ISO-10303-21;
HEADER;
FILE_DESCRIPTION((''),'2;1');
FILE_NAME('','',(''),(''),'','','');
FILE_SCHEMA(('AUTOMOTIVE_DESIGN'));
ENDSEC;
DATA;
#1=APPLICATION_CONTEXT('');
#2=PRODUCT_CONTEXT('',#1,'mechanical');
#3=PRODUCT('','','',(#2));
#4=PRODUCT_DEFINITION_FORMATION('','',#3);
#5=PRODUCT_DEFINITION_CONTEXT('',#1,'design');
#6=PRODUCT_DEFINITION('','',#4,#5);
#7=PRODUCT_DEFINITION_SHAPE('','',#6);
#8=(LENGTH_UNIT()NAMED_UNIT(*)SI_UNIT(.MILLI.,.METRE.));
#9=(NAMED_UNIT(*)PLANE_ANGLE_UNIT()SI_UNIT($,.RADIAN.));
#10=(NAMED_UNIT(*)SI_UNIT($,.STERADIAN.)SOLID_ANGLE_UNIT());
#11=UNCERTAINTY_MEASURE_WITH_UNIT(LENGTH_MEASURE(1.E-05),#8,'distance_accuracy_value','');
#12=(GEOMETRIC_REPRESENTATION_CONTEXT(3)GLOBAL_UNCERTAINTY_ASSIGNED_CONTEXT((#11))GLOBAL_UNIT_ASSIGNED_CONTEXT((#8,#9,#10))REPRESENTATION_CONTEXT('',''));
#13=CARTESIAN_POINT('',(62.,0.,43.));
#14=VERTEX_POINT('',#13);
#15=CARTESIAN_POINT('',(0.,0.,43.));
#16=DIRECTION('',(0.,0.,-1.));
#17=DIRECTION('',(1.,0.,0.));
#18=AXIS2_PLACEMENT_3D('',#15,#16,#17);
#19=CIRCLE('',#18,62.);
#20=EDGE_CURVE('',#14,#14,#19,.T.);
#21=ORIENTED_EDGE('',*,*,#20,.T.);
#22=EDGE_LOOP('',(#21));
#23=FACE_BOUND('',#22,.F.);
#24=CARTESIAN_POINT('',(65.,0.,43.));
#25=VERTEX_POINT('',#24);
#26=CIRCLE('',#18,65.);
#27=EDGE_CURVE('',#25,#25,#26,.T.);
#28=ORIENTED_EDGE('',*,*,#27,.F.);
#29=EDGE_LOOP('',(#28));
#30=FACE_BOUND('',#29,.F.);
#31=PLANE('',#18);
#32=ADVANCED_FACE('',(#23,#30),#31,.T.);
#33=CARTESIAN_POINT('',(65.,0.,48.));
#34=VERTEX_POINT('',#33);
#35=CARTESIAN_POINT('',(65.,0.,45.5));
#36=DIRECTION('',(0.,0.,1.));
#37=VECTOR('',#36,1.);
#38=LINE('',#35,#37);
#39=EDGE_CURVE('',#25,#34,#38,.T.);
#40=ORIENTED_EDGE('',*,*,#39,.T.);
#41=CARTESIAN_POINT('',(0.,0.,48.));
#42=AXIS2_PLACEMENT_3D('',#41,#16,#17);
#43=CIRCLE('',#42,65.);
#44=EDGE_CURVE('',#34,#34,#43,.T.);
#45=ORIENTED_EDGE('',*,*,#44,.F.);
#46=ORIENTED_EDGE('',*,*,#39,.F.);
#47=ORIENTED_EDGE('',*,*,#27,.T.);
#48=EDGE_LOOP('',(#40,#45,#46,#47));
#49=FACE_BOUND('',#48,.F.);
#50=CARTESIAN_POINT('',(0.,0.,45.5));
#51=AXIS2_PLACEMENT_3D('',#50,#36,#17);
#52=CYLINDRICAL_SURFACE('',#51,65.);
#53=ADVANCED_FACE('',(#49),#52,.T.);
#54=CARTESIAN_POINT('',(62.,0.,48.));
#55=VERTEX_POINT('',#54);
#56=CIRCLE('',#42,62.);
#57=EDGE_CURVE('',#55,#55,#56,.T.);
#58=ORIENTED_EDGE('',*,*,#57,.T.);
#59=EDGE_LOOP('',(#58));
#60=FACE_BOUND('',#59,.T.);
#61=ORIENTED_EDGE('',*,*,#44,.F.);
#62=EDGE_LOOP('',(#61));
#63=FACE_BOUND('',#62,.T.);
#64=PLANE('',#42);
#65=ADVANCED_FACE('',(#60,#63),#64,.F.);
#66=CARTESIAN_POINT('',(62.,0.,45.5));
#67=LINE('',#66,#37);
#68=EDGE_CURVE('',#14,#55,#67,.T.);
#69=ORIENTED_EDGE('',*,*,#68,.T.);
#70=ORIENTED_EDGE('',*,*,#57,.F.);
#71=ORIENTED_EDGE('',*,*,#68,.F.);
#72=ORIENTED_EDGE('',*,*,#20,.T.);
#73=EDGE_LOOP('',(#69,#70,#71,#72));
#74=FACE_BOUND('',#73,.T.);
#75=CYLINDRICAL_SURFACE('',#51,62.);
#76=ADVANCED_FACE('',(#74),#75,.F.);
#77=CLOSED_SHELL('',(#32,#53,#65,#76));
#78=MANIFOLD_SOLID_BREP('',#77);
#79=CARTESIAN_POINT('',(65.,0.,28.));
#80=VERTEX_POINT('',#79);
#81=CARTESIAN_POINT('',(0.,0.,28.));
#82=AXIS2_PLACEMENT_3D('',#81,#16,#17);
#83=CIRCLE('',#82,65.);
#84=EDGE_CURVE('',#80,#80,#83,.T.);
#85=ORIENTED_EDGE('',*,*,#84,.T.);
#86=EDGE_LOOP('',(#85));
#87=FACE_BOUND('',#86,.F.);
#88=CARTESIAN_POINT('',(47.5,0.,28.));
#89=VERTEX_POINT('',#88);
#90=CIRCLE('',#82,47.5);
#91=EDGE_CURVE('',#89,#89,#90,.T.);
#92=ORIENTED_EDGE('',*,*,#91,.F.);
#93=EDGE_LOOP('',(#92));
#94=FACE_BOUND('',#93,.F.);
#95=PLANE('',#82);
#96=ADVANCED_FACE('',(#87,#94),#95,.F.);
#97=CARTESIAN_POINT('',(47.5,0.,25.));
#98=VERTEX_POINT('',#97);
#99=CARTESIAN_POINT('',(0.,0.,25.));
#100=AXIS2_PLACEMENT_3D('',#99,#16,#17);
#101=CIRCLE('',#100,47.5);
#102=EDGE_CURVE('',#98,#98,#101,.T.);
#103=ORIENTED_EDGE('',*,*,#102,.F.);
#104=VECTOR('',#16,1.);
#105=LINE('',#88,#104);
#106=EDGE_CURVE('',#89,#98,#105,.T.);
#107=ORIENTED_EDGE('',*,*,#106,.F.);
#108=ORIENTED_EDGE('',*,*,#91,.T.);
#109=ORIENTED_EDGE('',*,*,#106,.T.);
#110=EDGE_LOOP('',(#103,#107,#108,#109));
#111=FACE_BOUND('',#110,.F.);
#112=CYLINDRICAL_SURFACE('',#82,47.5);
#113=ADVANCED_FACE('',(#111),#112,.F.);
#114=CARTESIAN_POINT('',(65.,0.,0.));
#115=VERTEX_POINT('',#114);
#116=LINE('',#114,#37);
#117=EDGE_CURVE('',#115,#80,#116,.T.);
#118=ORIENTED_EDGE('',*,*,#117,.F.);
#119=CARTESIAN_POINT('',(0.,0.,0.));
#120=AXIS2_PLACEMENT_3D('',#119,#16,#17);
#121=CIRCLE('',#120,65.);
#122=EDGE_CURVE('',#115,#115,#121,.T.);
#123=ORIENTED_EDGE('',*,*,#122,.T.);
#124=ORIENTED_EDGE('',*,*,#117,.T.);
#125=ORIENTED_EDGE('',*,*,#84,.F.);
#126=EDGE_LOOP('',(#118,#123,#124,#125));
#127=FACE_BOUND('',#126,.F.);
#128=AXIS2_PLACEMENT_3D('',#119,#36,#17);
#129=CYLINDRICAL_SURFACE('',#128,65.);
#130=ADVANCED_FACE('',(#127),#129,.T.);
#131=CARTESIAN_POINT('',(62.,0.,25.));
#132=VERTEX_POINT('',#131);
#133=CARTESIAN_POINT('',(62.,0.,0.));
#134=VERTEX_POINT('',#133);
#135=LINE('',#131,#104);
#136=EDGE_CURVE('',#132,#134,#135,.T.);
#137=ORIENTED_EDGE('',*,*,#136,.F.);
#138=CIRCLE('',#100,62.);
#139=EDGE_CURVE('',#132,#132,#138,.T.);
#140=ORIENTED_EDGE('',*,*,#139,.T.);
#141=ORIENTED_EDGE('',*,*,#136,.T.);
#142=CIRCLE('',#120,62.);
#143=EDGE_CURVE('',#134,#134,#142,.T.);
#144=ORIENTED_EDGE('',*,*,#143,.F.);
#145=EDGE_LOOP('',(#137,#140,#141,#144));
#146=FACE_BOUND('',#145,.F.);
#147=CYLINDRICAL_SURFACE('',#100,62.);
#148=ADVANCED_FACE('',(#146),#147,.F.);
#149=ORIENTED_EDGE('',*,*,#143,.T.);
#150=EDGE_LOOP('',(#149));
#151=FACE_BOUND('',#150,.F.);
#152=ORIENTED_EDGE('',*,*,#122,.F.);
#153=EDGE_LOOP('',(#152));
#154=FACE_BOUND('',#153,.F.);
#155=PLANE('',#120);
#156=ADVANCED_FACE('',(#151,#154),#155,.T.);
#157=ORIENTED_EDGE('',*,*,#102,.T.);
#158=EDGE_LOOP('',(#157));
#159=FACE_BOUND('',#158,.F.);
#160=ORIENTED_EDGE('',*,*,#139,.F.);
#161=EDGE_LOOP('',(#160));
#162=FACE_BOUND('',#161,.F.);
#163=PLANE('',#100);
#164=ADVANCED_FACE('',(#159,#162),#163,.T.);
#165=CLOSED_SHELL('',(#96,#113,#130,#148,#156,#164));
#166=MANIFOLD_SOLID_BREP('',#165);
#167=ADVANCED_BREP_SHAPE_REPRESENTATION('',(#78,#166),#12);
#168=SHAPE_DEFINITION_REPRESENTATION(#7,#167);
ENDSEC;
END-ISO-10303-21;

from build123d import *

# Parameters (mm, degrees)
F0_W = 3
F0_H = 5


with BuildPart() as f1:
    # F0 (on Front) → F1 (revolve)
    with BuildSketch(Plane.XZ):
        Polygon((65, 28), (47.5, 28), (47.5, 25), (62, 25), (62, 0), (65, 0), align=None)
        with Locations((63.5, 45.5)):
            Rectangle(F0_W, F0_H)
    revolve(axis=Axis((0, 0, 11.225136), (0, 0, -1)))


solid = f1.part
